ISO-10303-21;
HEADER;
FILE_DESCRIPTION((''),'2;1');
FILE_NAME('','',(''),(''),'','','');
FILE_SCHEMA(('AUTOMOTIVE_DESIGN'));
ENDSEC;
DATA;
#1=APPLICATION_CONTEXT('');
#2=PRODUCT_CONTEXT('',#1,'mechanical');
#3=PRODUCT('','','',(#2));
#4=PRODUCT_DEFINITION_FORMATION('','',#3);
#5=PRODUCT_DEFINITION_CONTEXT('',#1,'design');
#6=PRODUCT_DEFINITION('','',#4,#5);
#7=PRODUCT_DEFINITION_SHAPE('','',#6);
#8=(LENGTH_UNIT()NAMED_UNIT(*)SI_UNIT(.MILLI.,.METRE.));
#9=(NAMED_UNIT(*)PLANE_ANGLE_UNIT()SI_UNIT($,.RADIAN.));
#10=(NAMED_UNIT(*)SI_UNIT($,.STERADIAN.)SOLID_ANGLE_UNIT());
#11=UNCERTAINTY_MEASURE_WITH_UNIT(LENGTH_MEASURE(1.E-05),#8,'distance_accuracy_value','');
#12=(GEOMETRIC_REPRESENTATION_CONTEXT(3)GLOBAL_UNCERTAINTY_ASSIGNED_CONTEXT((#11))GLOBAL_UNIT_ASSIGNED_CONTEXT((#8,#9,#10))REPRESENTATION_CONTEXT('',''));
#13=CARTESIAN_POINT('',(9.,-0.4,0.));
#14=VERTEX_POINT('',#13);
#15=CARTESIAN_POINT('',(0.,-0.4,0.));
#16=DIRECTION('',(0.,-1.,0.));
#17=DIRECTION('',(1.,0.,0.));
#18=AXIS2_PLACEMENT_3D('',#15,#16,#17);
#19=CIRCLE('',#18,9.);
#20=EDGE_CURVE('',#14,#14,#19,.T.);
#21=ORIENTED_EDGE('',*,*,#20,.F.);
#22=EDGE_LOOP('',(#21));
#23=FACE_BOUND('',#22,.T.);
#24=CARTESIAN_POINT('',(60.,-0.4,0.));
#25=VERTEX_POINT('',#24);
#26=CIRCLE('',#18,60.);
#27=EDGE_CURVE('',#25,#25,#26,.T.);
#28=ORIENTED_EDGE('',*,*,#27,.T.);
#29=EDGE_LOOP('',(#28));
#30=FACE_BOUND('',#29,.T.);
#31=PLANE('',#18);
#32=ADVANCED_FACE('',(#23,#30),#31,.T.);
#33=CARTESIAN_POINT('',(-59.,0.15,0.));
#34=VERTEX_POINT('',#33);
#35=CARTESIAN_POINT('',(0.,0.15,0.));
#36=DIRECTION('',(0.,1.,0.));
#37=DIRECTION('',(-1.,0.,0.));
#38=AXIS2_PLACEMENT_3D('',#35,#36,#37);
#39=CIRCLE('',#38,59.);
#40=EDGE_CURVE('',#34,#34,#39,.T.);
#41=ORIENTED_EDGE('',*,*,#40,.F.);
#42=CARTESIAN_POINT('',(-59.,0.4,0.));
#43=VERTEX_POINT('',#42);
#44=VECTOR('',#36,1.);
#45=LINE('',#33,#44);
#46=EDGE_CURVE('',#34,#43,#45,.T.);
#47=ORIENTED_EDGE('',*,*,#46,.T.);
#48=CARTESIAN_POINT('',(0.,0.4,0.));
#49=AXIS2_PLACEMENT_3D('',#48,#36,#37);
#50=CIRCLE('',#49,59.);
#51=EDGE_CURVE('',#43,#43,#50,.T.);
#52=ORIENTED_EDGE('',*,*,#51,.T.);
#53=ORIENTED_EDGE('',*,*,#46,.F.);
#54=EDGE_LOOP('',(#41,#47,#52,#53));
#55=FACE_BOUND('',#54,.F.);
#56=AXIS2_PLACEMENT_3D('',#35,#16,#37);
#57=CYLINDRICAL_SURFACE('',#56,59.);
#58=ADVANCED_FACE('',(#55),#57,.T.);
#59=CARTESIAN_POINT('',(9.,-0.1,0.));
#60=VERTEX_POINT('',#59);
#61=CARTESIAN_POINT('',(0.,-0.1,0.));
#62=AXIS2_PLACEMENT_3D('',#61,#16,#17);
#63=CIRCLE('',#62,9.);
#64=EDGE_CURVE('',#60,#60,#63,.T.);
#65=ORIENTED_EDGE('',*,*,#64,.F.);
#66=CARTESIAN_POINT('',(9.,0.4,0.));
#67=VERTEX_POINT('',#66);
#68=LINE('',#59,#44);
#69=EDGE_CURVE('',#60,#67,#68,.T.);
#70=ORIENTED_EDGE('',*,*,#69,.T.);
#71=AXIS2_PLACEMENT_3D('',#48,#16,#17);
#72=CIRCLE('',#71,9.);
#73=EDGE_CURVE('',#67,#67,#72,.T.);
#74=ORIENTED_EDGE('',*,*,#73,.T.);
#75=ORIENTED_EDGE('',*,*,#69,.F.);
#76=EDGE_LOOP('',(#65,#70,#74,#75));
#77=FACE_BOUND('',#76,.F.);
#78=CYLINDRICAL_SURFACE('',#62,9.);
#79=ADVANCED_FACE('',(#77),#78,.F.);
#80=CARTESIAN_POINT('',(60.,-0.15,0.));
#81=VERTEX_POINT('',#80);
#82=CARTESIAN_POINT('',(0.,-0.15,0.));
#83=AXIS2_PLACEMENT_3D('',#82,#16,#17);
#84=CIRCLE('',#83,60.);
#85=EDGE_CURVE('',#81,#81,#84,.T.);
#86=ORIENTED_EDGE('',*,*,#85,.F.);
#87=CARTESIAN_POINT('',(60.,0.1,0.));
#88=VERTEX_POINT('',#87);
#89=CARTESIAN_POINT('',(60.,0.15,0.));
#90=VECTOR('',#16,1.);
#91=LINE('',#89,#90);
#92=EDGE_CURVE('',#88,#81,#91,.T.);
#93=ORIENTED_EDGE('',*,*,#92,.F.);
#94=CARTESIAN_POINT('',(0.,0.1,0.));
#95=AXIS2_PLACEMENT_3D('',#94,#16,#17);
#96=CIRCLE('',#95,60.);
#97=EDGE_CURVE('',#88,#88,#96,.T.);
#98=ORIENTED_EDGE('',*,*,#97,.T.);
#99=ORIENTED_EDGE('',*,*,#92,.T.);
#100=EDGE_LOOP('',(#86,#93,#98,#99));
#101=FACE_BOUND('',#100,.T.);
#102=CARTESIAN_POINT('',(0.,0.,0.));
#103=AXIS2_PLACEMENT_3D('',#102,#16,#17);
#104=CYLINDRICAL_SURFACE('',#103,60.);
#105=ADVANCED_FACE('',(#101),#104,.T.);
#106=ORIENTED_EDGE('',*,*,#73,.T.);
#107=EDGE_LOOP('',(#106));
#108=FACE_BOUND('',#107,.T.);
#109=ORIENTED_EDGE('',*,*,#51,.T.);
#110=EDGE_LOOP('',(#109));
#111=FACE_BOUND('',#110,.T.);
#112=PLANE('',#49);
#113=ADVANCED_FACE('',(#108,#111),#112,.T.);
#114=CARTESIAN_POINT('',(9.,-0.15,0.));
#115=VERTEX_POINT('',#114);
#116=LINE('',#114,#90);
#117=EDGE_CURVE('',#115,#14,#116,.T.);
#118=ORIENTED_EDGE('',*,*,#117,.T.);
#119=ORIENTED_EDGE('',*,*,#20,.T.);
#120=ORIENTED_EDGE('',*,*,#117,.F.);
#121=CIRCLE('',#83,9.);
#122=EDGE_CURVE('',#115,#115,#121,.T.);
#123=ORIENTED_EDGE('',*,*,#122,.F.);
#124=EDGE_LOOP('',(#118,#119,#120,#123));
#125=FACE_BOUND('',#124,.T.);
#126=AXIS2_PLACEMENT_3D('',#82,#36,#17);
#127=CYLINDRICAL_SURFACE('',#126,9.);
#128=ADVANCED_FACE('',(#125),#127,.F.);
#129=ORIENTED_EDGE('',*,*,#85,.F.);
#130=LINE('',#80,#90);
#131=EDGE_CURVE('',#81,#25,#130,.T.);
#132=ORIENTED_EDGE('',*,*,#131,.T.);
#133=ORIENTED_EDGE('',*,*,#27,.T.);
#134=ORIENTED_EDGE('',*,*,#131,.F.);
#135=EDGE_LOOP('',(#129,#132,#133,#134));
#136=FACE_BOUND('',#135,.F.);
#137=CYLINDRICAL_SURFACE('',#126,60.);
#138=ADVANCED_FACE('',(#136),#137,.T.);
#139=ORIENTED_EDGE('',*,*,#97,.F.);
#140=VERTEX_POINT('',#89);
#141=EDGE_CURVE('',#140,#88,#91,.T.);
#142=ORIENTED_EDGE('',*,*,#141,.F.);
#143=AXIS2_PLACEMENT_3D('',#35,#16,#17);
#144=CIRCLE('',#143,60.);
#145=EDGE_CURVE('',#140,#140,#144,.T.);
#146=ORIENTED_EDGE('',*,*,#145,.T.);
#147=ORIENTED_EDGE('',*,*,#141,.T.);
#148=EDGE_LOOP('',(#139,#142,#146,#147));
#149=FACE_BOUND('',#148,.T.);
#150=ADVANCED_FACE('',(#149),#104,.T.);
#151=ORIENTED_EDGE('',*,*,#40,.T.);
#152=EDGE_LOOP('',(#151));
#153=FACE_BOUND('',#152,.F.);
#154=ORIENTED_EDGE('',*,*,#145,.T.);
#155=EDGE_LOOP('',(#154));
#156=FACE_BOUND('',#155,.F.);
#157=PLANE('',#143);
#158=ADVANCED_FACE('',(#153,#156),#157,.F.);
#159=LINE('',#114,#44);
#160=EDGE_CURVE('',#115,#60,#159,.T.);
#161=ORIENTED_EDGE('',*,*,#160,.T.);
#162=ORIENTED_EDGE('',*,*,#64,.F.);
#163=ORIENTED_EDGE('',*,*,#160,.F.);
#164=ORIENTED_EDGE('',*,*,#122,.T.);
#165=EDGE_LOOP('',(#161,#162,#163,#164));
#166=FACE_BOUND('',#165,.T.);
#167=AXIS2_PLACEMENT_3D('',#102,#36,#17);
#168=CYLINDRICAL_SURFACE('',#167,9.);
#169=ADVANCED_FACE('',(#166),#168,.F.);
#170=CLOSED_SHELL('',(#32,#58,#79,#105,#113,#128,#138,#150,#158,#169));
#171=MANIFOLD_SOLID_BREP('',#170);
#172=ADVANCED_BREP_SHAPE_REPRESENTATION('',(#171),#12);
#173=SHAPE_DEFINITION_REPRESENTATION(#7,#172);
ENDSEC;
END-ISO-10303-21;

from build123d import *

# Parameters (mm, degrees)
F0_R         = 60
F0_R_2       = 9
F1_DEPTH     = 0.15
F2_R         = 59
F1_FACE1_R   = 60
F1_FACE1_R_2 = 9
F3_DEPTH     = 0.25
F4_DEPTH     = 0.501


with BuildPart() as f1:
    # F0 (on Front) → F1 (new body, symmetric)
    with BuildSketch(Plane.XZ):
        Circle(F0_R)
        Circle(F0_R_2, mode=Mode.SUBTRACT)
    extrude(amount=F1_DEPTH, both=True)

    # F2 (on face) + F1_face1 (on face) → F3 (join, symmetric)
    with BuildSketch(Plane(origin=(0, 0.15, 0), x_dir=(-1, 0, 0), z_dir=(0, 1, 0))):
        Circle(F2_R)
    with BuildSketch(Plane.XZ.offset(0.15)):
        Circle(F1_FACE1_R)
        Circle(F1_FACE1_R_2, mode=Mode.SUBTRACT)
    extrude(amount=F3_DEPTH, both=True, dir=(0, 1, 0))

    # F4 (cut, through all): a face of the model
    f4_faces = [f1.faces().sort_by_distance(p)[0] for p in [
        (0, -0.1, 0),
    ]]
    extrude(f4_faces, amount=-F4_DEPTH, mode=Mode.SUBTRACT)


solid = f1.part
